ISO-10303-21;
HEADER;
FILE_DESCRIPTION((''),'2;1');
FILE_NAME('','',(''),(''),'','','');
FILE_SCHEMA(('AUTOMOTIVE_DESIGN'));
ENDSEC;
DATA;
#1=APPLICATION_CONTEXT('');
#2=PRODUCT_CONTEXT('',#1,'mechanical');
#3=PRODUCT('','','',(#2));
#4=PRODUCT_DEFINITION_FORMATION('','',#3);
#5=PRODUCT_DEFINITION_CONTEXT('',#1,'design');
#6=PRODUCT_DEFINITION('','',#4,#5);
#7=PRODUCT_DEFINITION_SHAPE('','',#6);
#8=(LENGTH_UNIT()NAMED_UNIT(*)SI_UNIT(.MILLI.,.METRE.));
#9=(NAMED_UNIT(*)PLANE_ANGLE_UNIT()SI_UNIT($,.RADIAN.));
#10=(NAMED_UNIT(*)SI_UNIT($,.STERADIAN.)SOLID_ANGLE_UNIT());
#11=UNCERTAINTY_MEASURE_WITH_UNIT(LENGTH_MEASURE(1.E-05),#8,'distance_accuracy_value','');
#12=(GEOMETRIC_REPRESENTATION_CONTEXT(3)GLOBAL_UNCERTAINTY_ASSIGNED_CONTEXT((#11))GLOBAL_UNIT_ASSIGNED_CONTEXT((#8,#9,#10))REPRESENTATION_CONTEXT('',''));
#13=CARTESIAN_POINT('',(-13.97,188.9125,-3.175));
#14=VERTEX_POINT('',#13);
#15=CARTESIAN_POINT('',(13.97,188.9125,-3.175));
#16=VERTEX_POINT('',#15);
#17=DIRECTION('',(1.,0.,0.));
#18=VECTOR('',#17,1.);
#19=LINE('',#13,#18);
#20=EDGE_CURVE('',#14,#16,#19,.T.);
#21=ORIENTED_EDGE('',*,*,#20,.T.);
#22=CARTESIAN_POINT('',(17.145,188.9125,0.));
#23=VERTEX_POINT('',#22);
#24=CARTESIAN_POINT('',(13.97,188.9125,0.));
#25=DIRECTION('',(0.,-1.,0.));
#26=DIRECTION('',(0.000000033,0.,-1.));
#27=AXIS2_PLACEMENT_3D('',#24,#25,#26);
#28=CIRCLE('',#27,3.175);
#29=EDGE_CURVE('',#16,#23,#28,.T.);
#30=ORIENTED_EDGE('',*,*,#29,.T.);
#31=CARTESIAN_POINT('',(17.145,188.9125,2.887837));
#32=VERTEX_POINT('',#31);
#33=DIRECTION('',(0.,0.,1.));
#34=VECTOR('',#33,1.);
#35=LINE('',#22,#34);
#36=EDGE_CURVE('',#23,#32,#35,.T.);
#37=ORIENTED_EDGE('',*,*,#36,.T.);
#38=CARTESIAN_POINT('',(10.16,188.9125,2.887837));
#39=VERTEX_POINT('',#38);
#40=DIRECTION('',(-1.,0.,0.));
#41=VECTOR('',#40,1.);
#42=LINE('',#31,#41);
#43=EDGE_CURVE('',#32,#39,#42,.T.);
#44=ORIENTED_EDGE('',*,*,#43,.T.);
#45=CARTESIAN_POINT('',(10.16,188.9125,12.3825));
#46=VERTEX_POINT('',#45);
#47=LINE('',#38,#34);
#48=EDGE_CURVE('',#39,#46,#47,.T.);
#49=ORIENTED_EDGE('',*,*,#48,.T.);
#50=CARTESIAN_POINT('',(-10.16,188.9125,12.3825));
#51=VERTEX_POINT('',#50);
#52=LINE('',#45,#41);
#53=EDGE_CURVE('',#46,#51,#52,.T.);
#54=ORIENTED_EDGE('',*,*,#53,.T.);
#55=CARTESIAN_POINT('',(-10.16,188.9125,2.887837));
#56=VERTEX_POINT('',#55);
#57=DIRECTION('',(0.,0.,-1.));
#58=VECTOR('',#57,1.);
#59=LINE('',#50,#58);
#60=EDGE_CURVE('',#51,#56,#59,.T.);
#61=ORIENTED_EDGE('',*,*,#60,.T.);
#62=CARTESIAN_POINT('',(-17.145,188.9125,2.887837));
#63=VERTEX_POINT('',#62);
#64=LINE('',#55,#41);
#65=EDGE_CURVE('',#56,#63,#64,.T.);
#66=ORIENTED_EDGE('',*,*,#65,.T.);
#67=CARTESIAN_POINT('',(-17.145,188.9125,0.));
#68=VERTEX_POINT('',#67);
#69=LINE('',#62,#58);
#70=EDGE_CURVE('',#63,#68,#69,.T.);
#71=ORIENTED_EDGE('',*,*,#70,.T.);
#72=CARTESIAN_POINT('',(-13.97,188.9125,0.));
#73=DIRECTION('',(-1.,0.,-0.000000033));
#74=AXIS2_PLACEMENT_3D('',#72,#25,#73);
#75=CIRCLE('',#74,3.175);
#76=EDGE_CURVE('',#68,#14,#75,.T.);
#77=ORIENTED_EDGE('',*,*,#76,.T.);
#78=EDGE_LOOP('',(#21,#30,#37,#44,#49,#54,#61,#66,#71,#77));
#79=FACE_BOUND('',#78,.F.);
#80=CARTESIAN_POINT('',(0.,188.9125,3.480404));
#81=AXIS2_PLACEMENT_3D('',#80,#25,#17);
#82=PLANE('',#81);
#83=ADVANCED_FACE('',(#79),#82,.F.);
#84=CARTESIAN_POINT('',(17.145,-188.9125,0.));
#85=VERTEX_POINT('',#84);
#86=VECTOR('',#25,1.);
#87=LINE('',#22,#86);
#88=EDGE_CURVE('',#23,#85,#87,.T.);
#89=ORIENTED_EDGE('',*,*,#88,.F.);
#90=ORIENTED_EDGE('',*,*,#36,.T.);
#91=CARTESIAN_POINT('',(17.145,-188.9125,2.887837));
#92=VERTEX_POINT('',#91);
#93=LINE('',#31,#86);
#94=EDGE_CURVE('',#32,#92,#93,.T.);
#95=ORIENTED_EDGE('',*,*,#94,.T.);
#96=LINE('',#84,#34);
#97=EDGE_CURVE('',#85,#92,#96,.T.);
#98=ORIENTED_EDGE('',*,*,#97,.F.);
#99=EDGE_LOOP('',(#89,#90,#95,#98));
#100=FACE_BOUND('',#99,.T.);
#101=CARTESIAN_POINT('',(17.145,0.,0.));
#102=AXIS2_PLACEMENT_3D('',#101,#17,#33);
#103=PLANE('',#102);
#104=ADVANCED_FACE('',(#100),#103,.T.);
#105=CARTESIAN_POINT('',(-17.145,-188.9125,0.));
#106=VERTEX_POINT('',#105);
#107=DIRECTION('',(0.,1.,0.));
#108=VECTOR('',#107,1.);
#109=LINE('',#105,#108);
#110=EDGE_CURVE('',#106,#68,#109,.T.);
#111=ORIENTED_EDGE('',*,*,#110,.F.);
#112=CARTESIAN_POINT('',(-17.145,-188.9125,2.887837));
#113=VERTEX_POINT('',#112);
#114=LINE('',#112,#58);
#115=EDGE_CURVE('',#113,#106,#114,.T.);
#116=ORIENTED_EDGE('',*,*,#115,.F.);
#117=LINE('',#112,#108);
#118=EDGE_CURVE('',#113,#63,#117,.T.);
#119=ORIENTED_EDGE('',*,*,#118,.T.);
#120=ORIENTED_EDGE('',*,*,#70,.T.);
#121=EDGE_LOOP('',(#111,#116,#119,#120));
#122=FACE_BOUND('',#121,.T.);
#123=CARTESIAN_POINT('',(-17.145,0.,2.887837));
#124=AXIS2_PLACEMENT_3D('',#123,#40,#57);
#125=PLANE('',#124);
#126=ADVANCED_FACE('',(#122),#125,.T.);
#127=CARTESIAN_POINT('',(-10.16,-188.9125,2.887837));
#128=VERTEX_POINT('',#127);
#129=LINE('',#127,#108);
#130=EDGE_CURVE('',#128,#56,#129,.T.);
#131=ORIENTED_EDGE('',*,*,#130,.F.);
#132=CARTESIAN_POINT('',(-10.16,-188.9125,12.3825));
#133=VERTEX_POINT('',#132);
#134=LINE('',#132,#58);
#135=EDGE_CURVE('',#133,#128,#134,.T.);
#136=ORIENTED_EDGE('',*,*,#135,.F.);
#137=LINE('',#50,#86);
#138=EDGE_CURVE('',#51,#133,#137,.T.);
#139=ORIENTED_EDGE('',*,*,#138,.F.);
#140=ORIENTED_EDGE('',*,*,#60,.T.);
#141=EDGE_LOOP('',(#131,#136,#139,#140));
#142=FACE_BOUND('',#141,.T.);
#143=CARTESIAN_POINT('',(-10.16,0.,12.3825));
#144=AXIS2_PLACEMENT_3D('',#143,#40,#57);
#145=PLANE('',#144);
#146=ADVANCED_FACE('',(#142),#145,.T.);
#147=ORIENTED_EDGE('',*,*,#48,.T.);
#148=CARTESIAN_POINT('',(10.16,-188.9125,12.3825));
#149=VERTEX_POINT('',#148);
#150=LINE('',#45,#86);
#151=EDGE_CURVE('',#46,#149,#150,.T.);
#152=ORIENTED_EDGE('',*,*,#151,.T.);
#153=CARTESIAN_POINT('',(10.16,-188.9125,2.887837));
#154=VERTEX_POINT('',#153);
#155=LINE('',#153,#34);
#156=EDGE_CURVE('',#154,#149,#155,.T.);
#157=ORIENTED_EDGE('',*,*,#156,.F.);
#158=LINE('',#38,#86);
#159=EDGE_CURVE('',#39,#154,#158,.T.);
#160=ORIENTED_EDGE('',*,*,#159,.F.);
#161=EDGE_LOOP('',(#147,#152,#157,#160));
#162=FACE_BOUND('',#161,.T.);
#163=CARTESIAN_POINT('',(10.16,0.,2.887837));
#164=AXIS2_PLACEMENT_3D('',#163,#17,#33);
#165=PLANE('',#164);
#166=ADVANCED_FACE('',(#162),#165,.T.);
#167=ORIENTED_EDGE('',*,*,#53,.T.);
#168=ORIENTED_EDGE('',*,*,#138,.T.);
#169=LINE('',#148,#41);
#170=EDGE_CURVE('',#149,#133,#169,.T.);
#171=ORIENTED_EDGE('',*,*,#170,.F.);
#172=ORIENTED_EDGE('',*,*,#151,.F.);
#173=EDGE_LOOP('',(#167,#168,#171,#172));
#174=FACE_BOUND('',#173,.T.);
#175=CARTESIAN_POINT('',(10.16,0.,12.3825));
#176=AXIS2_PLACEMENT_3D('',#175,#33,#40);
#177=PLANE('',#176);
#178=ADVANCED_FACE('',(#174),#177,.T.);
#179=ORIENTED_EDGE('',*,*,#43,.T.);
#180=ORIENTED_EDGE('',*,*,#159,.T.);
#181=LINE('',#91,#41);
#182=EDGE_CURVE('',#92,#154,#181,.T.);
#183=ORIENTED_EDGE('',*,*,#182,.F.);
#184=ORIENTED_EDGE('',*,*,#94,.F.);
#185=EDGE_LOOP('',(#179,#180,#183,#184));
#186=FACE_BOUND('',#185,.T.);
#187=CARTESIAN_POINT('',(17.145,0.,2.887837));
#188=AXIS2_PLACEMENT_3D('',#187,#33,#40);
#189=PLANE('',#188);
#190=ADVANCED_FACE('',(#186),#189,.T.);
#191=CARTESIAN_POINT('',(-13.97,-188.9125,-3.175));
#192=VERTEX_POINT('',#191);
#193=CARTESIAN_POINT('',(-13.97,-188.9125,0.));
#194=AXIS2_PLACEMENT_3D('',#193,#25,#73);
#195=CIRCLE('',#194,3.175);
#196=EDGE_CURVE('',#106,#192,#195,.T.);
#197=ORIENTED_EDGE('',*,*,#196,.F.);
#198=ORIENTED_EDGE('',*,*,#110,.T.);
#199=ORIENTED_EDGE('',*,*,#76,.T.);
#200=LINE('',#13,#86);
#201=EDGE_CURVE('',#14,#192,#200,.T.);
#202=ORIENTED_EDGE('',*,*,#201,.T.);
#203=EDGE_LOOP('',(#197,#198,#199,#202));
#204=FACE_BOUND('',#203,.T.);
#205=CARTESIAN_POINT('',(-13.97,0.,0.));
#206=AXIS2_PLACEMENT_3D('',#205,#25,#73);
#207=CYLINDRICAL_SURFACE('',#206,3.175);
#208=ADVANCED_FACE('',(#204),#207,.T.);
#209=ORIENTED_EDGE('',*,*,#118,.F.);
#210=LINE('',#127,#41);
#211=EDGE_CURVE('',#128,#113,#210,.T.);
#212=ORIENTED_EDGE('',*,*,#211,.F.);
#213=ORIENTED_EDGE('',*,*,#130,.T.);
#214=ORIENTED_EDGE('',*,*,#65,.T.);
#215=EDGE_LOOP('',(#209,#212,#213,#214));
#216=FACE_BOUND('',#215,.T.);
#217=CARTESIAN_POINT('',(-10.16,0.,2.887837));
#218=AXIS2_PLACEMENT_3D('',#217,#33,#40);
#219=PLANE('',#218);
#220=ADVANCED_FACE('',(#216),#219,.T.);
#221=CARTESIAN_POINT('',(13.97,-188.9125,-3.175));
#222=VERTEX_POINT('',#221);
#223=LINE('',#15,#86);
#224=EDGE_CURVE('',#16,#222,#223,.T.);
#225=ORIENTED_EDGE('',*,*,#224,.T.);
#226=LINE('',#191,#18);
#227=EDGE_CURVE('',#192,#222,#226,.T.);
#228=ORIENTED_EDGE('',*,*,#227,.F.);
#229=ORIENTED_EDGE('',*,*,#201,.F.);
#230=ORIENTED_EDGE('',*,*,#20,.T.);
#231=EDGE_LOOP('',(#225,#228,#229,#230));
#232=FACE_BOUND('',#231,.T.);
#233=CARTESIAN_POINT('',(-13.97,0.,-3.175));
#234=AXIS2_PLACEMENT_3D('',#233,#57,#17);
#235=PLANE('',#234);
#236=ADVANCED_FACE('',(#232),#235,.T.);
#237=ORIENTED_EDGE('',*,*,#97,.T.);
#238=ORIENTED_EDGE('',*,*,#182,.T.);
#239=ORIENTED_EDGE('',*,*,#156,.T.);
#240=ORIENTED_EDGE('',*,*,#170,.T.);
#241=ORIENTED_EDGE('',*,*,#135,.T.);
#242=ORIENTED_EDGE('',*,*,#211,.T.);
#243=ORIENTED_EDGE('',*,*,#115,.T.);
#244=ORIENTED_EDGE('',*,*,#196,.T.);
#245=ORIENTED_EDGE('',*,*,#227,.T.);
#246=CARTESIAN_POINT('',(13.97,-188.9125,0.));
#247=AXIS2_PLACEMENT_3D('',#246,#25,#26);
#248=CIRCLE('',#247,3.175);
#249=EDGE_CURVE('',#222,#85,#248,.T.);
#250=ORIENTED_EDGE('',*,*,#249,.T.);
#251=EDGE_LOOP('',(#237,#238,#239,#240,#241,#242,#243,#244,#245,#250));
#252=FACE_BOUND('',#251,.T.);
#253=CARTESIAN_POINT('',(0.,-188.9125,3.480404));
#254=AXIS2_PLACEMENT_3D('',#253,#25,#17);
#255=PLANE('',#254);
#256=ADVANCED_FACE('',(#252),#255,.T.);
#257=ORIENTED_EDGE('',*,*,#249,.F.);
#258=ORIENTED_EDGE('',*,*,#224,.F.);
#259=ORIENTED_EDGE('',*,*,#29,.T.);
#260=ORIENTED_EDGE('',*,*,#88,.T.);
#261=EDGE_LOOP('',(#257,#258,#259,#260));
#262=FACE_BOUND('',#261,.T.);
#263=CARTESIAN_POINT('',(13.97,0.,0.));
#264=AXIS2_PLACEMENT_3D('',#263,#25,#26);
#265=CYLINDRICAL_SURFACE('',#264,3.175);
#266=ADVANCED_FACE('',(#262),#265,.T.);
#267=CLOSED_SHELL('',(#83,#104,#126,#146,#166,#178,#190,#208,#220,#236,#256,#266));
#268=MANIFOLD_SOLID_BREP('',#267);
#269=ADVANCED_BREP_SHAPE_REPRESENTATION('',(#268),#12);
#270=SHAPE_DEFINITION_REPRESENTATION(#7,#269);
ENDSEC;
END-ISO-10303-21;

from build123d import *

# Parameters (mm, degrees)
F1_DEPTH = 188.9125


with BuildPart() as f1:
    # F0 (on Front) → F1 (new body, symmetric)
    with BuildSketch(Plane.XZ):
        with BuildLine():
            ThreePointArc((-17.145, 0), (-16.215064, -2.245064), (-13.97, -3.175))
            Line((-13.97, -3.175), (13.97, -3.175))
            ThreePointArc((13.97, -3.175), (16.215064, -2.245064), (17.145, 0))
            Line((17.145, 0), (17.145, 2.887837))
            Line((17.145, 2.887837), (10.16, 2.887837))
            Line((10.16, 2.887837), (10.16, 12.3825))
            Line((10.16, 12.3825), (-10.16, 12.3825))
            Line((-10.16, 12.3825), (-10.16, 2.887837))
            Line((-10.16, 2.887837), (-17.145, 2.887837))
            Line((-17.145, 2.887837), (-17.145, 0))
        make_face()
    extrude(amount=F1_DEPTH, both=True)


solid = f1.part
